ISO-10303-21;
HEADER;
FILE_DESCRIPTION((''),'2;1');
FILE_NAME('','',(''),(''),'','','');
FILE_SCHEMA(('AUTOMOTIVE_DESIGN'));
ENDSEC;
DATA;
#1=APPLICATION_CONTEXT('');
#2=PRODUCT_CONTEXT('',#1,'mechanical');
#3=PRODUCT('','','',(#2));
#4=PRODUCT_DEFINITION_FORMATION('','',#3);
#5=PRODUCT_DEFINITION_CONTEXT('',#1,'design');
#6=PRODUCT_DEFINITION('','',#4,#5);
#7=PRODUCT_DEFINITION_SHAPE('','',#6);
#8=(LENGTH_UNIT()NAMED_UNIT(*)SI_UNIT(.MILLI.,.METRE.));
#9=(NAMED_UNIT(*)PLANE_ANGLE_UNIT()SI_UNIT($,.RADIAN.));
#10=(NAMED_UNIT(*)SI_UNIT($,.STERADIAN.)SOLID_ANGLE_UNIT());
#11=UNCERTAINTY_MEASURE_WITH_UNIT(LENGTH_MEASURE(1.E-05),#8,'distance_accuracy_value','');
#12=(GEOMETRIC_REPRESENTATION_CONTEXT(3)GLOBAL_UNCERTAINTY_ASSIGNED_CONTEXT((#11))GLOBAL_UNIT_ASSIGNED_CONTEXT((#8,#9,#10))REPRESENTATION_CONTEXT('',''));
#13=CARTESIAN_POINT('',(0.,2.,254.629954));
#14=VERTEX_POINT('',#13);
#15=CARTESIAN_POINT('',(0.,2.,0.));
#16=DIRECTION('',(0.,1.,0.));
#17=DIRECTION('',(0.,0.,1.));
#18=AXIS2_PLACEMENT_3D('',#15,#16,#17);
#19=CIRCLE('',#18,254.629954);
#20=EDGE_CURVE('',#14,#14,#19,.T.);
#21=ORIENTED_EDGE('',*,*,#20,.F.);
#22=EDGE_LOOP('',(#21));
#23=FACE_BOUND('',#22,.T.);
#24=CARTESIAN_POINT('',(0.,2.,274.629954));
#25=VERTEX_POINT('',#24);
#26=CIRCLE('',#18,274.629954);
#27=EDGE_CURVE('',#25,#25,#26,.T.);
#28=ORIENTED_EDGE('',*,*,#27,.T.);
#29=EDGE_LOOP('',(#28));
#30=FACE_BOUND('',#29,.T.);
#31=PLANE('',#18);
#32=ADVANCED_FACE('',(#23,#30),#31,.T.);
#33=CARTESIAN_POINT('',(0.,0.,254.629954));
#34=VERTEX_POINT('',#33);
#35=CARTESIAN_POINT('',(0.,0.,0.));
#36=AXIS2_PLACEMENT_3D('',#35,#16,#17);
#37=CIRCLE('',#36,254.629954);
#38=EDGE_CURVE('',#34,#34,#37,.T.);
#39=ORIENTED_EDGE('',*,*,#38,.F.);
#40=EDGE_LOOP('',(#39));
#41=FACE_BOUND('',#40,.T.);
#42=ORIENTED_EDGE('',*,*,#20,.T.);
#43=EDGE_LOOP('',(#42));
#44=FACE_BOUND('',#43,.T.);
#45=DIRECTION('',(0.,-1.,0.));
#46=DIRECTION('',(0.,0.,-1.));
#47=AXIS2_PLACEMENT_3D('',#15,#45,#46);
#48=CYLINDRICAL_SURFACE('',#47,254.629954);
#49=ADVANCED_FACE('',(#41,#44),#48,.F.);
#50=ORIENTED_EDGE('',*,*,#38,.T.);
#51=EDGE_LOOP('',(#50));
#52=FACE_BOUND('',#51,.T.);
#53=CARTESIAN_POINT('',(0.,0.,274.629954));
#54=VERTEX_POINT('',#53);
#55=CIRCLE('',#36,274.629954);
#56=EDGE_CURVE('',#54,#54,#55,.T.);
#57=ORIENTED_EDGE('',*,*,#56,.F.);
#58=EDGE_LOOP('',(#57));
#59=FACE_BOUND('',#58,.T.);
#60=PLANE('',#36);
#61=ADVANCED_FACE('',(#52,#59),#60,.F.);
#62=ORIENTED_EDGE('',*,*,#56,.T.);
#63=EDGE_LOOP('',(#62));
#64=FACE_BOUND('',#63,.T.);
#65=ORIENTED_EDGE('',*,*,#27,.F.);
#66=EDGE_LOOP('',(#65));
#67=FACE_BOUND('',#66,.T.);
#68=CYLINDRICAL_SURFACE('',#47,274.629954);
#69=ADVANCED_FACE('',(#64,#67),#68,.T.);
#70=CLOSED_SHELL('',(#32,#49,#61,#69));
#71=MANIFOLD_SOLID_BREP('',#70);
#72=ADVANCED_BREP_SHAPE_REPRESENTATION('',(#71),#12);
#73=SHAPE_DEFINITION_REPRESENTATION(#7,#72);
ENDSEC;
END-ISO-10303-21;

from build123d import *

# Parameters (mm, degrees)
SKETCH_2_R      = 274.629953844
SKETCH_2_R_2    = 254.629953844
EXTRUDE_1_DEPTH = 2


with BuildPart() as part:
    # 草图2 → 凸台-拉伸1 (new body)
    with BuildSketch(Plane(origin=(0, 0, 0), x_dir=(1, 0, 0), z_dir=(0, 1, 0))):
        Circle(SKETCH_2_R)
        Circle(SKETCH_2_R_2, mode=Mode.SUBTRACT)
    extrude(amount=EXTRUDE_1_DEPTH)


solid = part.part
